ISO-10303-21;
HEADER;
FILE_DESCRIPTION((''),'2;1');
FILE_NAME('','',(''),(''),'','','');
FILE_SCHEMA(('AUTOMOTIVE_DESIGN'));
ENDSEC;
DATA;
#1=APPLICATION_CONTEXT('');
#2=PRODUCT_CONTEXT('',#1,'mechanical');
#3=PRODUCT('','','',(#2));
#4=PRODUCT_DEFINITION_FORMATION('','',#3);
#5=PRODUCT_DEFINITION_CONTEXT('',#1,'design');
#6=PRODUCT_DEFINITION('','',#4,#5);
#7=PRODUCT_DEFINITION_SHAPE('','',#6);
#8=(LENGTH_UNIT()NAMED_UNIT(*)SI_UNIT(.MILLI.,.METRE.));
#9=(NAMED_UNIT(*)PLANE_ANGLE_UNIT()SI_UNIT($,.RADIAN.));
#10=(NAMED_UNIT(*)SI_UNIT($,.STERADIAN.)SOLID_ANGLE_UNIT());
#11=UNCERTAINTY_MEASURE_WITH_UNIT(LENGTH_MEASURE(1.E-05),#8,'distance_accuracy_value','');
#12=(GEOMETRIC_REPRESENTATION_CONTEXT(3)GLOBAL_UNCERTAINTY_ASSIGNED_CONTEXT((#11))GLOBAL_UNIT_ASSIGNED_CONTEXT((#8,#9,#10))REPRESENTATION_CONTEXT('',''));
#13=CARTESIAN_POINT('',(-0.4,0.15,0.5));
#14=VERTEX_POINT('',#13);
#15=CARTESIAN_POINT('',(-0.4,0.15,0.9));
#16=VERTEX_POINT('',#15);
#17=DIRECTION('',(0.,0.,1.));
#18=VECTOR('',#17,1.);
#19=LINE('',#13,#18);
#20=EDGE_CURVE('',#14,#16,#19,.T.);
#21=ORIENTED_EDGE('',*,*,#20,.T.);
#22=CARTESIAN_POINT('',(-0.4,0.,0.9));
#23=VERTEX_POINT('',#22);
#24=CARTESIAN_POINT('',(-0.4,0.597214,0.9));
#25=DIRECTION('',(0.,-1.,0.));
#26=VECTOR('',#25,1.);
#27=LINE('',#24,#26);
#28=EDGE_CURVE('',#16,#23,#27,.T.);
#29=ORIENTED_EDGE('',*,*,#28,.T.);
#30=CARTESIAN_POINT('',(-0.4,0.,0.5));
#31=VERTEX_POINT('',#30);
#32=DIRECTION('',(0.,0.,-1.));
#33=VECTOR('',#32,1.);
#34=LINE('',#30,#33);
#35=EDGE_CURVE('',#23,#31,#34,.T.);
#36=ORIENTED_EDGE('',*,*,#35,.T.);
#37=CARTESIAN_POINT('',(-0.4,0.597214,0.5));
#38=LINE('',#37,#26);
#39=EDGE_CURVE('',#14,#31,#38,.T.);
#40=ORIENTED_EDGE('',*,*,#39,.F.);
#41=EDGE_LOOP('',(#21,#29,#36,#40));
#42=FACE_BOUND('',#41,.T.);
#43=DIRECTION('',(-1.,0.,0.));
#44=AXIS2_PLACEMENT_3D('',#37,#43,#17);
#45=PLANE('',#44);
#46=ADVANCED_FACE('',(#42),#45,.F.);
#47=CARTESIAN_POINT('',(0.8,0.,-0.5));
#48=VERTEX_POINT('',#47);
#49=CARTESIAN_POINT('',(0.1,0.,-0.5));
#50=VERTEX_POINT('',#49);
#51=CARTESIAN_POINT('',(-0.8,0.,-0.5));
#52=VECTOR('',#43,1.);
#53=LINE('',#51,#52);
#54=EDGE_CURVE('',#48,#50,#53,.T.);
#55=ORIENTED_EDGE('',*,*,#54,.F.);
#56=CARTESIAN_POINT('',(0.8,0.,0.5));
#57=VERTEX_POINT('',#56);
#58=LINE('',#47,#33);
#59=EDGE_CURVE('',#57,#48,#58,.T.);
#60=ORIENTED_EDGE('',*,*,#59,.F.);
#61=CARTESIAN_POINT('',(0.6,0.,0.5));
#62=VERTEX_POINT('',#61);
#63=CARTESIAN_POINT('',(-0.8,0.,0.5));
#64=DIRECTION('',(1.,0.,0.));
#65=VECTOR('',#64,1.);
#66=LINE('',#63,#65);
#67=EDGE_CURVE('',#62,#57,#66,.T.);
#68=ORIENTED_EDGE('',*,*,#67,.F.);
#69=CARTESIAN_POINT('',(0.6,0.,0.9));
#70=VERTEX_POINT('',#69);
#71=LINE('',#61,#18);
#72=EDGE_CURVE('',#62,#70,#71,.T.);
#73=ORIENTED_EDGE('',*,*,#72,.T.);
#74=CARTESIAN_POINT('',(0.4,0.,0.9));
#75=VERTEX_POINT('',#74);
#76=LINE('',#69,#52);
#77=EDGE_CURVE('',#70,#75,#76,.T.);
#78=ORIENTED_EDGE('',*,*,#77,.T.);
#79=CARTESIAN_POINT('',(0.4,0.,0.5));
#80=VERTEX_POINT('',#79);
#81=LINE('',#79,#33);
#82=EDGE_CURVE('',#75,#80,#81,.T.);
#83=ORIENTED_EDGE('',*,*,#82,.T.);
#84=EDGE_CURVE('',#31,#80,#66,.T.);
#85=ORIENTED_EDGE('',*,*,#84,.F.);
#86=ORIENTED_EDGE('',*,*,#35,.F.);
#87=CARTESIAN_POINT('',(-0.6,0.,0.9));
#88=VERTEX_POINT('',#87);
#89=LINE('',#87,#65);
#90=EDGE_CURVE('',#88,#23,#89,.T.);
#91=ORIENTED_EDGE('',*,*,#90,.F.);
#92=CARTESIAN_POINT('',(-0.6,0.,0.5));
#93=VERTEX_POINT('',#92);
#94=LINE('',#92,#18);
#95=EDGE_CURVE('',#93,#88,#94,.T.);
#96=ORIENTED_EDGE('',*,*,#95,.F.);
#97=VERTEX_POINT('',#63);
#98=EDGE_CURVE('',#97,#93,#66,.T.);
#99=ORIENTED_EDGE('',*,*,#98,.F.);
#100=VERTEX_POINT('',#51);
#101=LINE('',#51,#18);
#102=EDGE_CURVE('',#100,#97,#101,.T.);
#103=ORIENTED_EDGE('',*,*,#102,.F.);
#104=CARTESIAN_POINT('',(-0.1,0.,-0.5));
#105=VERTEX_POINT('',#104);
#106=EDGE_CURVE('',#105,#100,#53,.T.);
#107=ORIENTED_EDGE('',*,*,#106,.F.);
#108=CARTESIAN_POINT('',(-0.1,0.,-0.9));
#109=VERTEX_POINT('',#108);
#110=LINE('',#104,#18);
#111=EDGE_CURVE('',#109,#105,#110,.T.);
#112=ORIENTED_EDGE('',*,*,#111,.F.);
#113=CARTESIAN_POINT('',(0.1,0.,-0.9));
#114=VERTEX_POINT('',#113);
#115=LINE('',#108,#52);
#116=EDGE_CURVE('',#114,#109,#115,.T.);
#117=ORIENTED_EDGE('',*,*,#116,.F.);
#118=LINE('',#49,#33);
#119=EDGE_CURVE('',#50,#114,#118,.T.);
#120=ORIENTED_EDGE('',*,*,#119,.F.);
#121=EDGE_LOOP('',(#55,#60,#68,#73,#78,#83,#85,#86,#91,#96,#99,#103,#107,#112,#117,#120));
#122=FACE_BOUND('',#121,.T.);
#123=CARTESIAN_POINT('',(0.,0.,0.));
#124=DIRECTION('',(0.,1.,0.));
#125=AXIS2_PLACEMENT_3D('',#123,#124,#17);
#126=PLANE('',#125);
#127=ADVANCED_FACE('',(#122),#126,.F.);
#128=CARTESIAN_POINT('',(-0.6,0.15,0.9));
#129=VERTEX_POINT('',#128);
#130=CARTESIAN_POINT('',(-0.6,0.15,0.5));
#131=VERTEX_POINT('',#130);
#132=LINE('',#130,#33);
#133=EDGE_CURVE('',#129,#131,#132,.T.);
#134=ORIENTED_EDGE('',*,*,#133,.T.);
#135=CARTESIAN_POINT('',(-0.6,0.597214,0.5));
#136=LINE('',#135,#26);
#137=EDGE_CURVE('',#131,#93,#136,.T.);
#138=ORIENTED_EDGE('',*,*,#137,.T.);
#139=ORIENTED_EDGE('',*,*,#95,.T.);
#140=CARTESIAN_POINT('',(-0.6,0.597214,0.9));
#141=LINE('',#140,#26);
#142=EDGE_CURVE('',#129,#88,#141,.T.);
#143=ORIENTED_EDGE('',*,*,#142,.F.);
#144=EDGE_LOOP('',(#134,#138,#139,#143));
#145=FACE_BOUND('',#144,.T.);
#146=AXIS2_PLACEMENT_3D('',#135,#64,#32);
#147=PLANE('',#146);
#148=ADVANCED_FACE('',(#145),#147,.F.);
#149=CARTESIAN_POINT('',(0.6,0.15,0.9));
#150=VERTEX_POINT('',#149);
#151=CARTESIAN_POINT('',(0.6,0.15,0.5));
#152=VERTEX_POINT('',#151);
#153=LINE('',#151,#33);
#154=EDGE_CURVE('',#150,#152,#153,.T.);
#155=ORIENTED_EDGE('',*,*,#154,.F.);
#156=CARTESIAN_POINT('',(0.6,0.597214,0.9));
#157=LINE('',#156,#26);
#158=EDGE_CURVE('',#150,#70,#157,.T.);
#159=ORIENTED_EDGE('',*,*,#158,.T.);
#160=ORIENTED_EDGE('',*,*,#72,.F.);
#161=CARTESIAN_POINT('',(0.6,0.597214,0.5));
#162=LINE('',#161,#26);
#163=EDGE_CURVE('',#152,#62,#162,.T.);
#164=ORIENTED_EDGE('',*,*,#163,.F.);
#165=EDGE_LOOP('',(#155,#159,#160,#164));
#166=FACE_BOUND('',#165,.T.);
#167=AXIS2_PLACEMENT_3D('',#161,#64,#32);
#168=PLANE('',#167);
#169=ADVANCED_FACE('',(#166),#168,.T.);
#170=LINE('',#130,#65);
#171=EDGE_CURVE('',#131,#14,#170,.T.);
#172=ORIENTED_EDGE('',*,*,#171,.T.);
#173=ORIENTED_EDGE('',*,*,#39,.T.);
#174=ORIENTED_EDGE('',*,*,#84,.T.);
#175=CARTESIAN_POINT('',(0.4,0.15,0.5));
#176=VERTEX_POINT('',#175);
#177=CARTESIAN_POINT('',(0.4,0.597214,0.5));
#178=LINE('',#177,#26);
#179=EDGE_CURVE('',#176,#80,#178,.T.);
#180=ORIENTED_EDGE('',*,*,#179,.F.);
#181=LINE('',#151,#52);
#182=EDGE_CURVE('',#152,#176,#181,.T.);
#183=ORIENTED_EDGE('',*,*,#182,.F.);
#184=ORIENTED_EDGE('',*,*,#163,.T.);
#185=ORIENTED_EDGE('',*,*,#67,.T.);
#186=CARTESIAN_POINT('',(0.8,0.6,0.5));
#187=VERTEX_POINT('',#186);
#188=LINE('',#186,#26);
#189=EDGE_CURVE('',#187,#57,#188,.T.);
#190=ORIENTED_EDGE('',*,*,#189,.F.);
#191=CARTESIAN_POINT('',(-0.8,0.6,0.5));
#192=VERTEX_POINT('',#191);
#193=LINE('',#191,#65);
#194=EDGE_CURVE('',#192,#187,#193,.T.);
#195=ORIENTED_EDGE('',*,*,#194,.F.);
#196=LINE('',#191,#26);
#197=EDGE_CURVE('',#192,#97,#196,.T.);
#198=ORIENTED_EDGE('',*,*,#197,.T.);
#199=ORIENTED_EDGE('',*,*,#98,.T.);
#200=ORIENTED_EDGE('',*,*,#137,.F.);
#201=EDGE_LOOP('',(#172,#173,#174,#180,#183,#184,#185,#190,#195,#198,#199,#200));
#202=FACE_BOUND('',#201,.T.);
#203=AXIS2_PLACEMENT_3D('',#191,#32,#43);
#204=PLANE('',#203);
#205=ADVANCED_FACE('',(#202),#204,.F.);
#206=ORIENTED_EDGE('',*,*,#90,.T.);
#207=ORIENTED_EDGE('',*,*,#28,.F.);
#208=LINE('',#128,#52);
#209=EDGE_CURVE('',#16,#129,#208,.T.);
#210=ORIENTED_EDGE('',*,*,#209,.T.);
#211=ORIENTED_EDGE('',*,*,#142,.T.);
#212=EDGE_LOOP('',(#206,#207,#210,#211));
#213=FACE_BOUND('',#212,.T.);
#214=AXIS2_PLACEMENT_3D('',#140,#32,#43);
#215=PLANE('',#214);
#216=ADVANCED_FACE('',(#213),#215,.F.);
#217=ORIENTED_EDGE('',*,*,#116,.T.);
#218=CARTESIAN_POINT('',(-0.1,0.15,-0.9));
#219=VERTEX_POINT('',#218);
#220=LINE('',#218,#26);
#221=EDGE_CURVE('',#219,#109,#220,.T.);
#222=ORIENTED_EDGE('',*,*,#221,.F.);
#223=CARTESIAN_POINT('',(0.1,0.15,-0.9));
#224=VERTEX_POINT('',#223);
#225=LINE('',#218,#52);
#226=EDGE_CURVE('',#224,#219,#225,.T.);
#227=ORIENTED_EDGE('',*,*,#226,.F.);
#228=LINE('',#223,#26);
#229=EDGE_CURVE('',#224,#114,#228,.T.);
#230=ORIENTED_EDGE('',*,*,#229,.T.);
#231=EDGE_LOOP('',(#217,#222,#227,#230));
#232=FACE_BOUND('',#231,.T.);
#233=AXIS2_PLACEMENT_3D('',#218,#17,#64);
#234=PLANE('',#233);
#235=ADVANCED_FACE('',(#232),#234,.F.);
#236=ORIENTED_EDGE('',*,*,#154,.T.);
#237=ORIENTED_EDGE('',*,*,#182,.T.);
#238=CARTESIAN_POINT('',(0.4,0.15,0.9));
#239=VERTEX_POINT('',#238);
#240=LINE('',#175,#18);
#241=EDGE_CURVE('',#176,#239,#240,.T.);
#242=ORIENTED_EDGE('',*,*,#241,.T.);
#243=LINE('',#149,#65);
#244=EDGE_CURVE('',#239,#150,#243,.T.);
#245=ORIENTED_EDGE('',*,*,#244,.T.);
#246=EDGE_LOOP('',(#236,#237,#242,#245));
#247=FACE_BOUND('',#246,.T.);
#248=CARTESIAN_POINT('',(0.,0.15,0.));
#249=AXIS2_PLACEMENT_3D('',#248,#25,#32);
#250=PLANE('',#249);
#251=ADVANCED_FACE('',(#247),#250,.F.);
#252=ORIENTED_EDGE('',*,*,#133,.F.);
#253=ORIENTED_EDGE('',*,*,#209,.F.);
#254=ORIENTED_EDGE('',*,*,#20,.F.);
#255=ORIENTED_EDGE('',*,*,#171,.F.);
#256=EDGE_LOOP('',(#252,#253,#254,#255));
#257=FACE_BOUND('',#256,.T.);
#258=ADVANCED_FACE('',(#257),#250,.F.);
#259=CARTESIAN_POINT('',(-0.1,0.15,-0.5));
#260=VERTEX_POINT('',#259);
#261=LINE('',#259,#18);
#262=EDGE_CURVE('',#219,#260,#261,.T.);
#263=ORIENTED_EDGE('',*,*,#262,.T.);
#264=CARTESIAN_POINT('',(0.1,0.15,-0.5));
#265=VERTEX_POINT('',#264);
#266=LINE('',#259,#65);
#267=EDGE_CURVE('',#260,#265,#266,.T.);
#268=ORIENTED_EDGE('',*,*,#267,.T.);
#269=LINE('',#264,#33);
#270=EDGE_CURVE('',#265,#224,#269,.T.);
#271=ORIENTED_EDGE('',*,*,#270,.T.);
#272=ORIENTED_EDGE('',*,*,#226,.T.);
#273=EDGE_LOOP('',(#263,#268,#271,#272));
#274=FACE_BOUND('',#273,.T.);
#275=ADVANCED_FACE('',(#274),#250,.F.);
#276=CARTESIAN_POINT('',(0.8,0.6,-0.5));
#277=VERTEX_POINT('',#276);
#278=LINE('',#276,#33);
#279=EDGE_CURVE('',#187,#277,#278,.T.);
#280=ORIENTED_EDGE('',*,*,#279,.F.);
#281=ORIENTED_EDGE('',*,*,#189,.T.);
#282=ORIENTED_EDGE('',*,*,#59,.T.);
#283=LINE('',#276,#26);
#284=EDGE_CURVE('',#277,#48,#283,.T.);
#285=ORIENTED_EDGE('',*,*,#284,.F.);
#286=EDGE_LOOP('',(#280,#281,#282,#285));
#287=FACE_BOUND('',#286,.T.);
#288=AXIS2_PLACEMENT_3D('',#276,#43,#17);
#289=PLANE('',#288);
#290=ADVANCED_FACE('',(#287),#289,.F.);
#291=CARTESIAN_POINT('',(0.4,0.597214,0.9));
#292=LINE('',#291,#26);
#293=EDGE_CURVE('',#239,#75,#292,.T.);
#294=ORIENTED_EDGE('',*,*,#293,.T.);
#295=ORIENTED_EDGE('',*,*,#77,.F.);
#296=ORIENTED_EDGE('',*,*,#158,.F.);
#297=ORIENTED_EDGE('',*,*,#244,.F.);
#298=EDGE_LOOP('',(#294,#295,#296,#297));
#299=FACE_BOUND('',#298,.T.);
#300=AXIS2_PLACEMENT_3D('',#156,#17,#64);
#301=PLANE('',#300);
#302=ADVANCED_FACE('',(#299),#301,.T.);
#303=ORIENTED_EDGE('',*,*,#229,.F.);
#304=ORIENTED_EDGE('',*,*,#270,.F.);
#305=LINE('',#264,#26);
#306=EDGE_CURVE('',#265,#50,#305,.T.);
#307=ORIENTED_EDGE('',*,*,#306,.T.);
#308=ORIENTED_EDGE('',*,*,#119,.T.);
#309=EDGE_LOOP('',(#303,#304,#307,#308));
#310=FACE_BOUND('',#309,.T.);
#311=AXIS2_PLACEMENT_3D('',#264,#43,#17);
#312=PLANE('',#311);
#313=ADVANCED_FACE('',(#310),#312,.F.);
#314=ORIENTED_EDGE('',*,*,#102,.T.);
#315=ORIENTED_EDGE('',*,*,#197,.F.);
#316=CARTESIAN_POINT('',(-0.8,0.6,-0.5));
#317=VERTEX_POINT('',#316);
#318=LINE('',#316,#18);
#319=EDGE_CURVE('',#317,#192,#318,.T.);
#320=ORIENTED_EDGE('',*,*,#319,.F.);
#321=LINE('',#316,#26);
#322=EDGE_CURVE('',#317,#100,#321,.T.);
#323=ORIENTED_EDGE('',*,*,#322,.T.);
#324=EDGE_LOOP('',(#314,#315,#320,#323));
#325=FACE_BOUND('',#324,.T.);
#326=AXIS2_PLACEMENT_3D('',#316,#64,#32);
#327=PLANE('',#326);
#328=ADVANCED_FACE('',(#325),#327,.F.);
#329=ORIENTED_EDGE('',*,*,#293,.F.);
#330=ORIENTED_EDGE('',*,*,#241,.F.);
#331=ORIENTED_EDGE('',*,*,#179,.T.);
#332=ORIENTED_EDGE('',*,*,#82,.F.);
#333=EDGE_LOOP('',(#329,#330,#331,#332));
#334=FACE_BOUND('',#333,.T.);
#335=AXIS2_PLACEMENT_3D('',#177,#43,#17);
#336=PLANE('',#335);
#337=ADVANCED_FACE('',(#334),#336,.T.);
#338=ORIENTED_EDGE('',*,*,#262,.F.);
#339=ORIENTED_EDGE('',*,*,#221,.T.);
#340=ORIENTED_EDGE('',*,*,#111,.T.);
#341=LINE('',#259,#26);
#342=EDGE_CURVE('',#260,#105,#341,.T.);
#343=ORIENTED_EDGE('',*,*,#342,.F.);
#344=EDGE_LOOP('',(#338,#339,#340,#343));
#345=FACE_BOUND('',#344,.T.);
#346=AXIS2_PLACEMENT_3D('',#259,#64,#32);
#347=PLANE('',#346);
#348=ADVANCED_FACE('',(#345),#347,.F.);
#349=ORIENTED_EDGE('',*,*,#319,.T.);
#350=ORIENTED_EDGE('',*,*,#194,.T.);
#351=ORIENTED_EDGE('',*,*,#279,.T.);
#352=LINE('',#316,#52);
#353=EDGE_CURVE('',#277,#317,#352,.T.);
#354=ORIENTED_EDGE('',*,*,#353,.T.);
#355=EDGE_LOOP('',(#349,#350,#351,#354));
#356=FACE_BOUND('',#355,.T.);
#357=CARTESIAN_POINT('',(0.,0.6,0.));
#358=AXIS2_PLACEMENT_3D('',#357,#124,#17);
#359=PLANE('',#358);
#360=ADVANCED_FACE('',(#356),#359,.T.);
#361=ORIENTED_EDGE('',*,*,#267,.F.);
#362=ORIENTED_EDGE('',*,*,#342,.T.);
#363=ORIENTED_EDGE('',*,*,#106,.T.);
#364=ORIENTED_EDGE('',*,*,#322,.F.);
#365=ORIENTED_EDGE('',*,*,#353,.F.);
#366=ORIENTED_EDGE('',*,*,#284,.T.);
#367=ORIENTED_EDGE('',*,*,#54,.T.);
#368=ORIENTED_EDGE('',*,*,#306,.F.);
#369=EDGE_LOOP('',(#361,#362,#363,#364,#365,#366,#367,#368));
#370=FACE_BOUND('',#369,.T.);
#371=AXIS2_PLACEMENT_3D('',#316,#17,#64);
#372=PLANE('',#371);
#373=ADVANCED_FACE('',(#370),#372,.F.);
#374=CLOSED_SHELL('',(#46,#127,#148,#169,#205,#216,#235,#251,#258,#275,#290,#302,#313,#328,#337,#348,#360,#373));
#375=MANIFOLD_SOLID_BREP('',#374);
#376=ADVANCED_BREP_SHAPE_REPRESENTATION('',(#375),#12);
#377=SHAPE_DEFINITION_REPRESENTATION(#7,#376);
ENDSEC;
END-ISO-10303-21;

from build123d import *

# Parameters (mm, degrees)
BASES_W       = 1.6
BASES_H       = 1
BASE_DEPTH    = 0.6
LEGS_W        = 0.2
LEGS_H        = 0.4
LEG_DEPTH     = 0.15
SIDELEGS_W    = 0.2
SIDELEGS_H    = 0.4
SIDELEG_DEPTH = 0.15


with BuildPart() as part:
    # BaseS → Base (new body)
    with BuildSketch(Plane(origin=(0, 0, 0), x_dir=(1, 0, 0), z_dir=(0, 1, 0))):
        Rectangle(BASES_W, BASES_H)
    extrude(amount=BASE_DEPTH)

    # LegS → Leg (add)
    with BuildSketch(Plane(origin=(0, 0, 0), x_dir=(1, 0, 0), z_dir=(0, 1, 0))):
        with Locations((0, 0.7)):
            Rectangle(LEGS_W, LEGS_H)
    extrude(amount=LEG_DEPTH)

    # SideLegS → SideLeg (add)
    with BuildSketch(Plane(origin=(0, 0, 0), x_dir=(1, 0, 0), z_dir=(0, 1, 0))):
        with Locations((-0.5, -0.7)):
            Rectangle(SIDELEGS_W, SIDELEGS_H)
    sideleg = extrude(amount=SIDELEG_DEPTH)

    # SLHM: SideLeg across plane
    add(sideleg.mirror(Plane(origin=(0, 0, 0), x_dir=(0, 0, 1), z_dir=(1, 0, 0))))


solid = part.part
